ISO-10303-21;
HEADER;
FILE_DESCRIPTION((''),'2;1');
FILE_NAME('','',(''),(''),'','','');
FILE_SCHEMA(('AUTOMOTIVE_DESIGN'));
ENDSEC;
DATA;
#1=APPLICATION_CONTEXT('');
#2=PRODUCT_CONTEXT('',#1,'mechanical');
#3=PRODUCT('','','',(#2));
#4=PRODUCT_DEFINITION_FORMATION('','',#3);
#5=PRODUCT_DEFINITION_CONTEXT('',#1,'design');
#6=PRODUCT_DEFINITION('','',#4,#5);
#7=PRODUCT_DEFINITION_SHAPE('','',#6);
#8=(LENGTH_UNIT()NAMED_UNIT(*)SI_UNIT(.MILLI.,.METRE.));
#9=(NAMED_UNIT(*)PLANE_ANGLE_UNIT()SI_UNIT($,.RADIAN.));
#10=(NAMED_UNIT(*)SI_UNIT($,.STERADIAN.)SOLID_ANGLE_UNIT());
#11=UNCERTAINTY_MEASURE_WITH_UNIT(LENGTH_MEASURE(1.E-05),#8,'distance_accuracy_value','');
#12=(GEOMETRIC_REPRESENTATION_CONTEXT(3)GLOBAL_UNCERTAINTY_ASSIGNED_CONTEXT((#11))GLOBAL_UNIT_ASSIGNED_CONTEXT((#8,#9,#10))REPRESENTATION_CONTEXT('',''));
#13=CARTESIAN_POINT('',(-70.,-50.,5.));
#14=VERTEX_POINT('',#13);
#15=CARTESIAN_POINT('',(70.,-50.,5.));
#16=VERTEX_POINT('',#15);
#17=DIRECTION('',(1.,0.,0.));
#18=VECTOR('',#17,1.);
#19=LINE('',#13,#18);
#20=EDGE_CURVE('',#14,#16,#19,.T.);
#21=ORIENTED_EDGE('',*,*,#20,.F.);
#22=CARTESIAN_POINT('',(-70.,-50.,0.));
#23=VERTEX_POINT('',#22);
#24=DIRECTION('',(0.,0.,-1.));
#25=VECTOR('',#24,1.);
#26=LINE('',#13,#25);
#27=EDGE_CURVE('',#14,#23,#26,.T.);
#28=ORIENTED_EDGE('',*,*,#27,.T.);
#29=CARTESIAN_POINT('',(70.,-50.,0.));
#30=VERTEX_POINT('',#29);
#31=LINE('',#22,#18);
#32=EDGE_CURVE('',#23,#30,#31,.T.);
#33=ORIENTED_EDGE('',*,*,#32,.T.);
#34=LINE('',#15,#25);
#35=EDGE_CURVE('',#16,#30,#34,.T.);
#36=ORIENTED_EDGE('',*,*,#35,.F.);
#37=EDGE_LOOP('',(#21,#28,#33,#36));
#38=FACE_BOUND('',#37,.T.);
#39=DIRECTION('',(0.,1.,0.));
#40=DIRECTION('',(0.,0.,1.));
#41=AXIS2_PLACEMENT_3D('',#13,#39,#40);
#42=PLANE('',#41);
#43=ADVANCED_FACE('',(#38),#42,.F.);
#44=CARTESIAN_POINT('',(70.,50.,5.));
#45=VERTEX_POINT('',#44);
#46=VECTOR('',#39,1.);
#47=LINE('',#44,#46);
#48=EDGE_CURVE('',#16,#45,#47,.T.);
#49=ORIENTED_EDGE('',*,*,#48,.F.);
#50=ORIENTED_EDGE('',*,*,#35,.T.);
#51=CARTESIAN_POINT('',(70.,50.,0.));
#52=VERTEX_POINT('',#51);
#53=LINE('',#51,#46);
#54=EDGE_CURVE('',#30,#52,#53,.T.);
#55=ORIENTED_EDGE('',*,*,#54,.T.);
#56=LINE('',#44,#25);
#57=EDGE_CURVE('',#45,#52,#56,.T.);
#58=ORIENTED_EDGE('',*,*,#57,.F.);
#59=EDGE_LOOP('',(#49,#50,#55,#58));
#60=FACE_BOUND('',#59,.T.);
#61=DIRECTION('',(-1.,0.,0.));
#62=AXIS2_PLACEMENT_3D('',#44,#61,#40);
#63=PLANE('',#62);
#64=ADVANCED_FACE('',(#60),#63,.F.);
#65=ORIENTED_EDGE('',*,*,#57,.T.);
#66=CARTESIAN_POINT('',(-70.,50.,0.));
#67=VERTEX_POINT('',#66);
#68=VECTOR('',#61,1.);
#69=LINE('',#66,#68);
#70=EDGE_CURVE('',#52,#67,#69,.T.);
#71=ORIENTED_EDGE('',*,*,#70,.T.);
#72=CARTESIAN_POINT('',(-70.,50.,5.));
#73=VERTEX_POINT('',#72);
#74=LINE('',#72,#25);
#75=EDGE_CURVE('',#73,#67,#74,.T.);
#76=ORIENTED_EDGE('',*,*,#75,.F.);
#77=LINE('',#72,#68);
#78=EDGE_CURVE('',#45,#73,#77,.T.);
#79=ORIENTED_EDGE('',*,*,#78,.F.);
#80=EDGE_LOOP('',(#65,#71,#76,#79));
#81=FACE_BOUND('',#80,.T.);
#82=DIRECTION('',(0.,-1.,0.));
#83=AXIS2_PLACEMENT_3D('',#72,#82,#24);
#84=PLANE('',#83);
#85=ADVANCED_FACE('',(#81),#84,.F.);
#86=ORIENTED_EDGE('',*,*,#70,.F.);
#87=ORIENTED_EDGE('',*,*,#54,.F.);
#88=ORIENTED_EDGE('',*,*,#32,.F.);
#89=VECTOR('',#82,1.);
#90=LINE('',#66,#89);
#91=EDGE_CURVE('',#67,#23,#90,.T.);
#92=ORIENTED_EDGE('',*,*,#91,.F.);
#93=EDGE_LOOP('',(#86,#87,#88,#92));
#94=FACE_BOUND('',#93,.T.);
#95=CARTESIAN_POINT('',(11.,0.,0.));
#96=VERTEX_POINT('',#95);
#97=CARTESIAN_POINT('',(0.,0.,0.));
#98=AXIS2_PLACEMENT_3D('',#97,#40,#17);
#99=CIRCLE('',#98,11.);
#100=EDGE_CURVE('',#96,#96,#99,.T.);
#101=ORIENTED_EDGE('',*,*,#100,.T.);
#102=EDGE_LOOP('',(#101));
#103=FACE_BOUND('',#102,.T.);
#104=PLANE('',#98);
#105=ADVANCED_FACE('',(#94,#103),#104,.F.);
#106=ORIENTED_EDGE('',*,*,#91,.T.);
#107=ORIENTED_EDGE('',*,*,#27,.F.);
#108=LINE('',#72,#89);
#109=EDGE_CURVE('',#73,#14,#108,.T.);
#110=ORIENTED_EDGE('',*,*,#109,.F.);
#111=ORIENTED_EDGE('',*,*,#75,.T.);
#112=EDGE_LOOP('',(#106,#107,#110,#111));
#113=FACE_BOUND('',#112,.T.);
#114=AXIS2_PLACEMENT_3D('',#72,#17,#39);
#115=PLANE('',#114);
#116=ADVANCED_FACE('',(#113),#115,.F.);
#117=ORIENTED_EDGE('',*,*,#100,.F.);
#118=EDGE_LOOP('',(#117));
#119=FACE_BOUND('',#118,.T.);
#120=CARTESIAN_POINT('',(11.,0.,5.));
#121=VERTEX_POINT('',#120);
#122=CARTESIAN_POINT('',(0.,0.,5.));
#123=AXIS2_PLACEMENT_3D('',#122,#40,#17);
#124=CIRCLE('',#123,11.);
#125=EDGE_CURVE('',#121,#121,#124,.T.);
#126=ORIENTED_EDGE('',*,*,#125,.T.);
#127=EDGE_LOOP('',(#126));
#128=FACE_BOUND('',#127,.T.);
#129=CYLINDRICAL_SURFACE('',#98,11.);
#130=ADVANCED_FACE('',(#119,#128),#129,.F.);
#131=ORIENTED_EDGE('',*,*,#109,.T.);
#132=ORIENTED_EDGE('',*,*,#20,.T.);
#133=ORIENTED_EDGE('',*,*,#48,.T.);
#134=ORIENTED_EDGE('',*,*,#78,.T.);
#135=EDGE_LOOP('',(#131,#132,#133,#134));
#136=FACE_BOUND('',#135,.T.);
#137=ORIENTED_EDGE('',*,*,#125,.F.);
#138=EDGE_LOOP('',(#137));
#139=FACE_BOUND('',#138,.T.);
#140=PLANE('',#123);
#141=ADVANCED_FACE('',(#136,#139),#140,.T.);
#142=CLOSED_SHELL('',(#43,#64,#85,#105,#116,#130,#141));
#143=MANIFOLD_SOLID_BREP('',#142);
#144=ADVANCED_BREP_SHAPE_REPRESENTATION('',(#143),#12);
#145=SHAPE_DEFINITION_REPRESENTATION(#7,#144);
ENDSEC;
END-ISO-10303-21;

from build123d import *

# Parameters (mm, degrees)
SKIZZE1_W                       = 140
SKIZZE1_H                       = 100
AUFSATZ_LINEAR_AUSTRAGEN1_DEPTH = 5
SKIZZE2_R                       = 11
SCHNITT_LINEAR_AUSTRAGEN1_DEPTH = 87.168439698


with BuildPart() as part:
    # Skizze1 → Aufsatz-Linear austragen1 (new body)
    with BuildSketch(Plane.XY):
        Rectangle(SKIZZE1_W, SKIZZE1_H)
    extrude(amount=AUFSATZ_LINEAR_AUSTRAGEN1_DEPTH)

    # Skizze2 → Schnitt-Linear austragen1 (cut, through all)
    with BuildSketch(Plane.XY.offset(5)):
        Circle(SKIZZE2_R)
    extrude(amount=-SCHNITT_LINEAR_AUSTRAGEN1_DEPTH, mode=Mode.SUBTRACT)


solid = part.part
